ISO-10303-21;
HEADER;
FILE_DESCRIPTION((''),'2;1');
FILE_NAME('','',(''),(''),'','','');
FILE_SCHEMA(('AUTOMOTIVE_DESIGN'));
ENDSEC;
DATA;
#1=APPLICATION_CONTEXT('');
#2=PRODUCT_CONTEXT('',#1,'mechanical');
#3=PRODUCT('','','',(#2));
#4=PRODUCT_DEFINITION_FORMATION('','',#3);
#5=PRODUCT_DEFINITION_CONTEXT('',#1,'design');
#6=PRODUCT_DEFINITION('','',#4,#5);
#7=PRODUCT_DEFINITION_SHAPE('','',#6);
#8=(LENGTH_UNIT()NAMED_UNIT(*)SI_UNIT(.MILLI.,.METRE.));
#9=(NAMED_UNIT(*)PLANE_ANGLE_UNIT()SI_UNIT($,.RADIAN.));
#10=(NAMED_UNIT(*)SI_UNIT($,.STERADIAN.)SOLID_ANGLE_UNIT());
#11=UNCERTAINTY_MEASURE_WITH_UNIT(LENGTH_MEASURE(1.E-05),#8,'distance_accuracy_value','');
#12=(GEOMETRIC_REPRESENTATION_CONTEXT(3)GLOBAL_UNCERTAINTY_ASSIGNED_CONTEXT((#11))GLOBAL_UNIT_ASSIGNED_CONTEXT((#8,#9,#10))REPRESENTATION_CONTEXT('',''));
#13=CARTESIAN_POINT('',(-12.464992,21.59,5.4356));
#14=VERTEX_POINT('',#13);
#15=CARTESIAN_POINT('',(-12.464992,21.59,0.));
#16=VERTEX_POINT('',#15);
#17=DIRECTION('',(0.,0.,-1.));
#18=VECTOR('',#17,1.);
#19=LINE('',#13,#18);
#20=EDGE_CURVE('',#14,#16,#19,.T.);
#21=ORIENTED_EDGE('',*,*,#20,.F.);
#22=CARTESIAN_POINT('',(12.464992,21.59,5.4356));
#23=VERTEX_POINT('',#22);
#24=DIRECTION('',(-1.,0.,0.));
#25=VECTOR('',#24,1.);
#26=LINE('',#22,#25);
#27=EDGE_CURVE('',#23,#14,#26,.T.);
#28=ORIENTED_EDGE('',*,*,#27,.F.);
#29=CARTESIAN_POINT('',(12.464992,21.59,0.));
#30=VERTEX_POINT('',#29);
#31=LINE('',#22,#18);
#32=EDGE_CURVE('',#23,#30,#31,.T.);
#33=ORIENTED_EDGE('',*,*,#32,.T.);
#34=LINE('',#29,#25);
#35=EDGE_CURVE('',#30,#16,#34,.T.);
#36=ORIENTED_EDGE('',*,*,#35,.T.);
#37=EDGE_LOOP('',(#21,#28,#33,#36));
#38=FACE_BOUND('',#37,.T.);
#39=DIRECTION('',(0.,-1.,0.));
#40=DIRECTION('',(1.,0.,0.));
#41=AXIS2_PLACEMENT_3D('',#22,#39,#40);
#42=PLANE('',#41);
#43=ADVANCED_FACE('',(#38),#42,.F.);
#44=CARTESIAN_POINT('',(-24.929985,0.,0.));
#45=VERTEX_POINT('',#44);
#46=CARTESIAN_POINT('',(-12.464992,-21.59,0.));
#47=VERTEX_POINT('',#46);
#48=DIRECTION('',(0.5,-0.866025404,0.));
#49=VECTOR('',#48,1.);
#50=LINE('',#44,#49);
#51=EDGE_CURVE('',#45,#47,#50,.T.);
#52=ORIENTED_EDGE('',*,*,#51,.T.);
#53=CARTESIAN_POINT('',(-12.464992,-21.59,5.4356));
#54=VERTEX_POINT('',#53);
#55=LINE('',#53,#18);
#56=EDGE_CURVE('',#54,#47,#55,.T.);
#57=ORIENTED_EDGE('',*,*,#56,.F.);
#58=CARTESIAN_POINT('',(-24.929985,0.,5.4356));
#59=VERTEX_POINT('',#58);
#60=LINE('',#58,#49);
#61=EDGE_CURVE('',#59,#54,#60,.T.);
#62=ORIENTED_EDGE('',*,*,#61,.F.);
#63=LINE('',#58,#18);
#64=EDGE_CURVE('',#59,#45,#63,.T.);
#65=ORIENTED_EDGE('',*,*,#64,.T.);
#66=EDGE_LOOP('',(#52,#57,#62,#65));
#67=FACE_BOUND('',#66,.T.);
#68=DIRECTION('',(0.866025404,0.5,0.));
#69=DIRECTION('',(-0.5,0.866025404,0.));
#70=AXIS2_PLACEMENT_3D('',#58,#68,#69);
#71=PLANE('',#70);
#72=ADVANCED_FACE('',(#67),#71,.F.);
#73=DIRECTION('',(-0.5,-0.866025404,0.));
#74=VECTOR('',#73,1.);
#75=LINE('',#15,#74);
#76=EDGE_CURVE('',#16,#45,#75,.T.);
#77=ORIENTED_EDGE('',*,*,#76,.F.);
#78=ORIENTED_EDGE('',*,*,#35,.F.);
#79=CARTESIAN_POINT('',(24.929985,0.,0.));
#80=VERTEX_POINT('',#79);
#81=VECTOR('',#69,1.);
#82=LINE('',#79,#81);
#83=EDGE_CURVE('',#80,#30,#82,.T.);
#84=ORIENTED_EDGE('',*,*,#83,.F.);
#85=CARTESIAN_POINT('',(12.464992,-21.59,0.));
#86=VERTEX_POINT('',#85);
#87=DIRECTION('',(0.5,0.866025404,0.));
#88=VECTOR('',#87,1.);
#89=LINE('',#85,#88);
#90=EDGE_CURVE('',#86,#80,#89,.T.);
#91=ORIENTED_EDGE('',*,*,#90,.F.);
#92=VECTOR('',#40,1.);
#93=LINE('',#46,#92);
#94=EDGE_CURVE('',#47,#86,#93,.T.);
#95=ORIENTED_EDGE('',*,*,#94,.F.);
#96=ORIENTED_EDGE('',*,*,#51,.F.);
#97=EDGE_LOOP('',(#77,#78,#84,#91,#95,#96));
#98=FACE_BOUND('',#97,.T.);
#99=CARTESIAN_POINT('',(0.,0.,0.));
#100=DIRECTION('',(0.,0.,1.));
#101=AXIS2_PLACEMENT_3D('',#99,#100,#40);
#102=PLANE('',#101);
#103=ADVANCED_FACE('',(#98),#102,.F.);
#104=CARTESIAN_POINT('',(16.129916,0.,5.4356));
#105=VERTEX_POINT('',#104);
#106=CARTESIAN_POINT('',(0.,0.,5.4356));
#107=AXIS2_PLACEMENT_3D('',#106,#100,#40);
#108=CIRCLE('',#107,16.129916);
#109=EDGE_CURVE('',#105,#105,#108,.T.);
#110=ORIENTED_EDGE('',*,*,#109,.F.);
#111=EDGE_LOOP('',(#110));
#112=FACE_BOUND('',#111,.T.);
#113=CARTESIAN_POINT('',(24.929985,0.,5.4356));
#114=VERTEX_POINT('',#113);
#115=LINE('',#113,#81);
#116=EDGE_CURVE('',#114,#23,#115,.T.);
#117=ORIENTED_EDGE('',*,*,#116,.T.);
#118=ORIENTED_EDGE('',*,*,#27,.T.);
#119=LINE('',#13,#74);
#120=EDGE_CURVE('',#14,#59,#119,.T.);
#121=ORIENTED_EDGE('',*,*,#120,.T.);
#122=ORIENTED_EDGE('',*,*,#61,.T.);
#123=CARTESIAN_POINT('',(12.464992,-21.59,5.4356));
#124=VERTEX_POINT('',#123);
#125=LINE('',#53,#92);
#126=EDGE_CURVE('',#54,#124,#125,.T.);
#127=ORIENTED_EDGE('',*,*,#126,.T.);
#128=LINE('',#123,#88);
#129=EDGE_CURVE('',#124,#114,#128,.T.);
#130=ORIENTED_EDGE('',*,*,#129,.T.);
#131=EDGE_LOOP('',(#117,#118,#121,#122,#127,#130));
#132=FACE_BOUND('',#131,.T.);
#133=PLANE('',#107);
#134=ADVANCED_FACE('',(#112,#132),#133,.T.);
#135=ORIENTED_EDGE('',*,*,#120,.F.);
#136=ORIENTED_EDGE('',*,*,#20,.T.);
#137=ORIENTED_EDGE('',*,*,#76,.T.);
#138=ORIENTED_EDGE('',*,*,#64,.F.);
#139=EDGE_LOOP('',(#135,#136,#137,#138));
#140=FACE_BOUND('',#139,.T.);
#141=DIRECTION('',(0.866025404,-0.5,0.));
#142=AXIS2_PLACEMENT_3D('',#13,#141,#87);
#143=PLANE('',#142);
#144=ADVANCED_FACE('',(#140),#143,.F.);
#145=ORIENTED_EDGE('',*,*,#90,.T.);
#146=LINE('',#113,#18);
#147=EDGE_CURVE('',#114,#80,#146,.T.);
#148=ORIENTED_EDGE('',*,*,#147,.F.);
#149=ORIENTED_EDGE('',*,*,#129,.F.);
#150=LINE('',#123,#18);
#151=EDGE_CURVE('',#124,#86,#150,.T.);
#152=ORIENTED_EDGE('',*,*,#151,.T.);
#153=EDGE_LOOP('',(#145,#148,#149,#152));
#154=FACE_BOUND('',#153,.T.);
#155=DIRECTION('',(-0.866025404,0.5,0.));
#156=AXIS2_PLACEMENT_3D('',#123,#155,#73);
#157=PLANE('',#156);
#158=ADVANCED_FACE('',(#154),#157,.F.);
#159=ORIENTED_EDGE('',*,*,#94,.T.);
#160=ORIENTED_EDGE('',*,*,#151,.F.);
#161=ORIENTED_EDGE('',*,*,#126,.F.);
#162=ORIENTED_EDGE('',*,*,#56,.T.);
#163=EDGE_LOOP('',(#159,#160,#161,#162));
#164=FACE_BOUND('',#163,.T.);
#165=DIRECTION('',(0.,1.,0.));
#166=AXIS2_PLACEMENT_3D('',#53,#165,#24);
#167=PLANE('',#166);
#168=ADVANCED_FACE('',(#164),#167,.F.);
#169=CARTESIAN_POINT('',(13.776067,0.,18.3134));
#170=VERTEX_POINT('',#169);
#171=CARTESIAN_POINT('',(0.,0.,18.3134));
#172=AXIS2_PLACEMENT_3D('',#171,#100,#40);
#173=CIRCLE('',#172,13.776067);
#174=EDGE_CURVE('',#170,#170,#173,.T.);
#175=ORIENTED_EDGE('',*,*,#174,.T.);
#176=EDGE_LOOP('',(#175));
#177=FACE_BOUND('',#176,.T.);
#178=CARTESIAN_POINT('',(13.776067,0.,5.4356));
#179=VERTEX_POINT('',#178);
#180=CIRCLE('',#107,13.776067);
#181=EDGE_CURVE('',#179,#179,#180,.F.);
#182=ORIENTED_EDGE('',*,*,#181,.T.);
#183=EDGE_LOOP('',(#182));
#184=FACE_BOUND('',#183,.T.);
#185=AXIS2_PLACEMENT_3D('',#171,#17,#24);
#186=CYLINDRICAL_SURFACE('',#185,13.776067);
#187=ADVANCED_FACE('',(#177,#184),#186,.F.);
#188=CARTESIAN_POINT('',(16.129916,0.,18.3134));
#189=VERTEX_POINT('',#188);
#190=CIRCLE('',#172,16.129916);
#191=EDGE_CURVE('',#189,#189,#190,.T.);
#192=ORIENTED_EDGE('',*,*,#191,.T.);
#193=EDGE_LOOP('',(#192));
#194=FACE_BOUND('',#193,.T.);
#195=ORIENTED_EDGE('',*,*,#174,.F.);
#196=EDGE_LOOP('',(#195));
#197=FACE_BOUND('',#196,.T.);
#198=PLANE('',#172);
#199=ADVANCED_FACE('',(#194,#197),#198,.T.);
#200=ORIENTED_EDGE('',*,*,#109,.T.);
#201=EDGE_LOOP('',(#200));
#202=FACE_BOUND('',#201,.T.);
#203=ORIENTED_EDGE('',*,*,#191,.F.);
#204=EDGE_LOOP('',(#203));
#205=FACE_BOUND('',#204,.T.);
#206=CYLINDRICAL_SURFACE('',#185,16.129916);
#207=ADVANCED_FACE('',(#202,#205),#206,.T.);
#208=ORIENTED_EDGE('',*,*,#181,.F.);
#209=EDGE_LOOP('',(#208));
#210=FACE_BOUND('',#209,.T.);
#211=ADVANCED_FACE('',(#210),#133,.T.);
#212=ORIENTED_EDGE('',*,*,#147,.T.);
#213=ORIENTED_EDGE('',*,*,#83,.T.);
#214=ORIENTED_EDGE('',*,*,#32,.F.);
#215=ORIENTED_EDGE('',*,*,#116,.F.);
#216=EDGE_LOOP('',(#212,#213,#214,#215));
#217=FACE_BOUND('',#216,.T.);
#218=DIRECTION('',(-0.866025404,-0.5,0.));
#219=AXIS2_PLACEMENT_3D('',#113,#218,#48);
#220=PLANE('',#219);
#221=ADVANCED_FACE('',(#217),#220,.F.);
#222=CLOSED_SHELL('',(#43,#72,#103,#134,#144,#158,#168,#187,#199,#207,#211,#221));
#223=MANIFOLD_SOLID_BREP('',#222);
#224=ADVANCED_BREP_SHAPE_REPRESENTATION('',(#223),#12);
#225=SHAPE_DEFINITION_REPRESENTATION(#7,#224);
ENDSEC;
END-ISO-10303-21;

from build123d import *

# Parameters (mm, degrees)
BOSS_EXTRUDE1_DEPTH = 5.4356
BOSS_EXTRUDE2_START = 5.4356
SKETCH1_3_R         = 16.129916362
SKETCH1_3_R_2       = 13.776067448
BOSS_EXTRUDE2_DEPTH = 12.8778


with BuildPart() as part:
    # Sketch1 → Boss-Extrude1 (new body)
    with BuildSketch(Plane.XY):
        Polygon((12.464992312, 21.59), (-12.464992312, 21.59), (-24.929984624, 0), (-12.464992312, -21.59), (12.464992312, -21.59), (24.929984624, 0), align=None)
    extrude(amount=BOSS_EXTRUDE1_DEPTH)

    # Sketch1<3> → Boss-Extrude2 (add)
    with BuildSketch(Plane.XY.offset(BOSS_EXTRUDE2_START)):
        Circle(SKETCH1_3_R)
        Circle(SKETCH1_3_R_2, mode=Mode.SUBTRACT)
    extrude(amount=BOSS_EXTRUDE2_DEPTH)


solid = part.part
